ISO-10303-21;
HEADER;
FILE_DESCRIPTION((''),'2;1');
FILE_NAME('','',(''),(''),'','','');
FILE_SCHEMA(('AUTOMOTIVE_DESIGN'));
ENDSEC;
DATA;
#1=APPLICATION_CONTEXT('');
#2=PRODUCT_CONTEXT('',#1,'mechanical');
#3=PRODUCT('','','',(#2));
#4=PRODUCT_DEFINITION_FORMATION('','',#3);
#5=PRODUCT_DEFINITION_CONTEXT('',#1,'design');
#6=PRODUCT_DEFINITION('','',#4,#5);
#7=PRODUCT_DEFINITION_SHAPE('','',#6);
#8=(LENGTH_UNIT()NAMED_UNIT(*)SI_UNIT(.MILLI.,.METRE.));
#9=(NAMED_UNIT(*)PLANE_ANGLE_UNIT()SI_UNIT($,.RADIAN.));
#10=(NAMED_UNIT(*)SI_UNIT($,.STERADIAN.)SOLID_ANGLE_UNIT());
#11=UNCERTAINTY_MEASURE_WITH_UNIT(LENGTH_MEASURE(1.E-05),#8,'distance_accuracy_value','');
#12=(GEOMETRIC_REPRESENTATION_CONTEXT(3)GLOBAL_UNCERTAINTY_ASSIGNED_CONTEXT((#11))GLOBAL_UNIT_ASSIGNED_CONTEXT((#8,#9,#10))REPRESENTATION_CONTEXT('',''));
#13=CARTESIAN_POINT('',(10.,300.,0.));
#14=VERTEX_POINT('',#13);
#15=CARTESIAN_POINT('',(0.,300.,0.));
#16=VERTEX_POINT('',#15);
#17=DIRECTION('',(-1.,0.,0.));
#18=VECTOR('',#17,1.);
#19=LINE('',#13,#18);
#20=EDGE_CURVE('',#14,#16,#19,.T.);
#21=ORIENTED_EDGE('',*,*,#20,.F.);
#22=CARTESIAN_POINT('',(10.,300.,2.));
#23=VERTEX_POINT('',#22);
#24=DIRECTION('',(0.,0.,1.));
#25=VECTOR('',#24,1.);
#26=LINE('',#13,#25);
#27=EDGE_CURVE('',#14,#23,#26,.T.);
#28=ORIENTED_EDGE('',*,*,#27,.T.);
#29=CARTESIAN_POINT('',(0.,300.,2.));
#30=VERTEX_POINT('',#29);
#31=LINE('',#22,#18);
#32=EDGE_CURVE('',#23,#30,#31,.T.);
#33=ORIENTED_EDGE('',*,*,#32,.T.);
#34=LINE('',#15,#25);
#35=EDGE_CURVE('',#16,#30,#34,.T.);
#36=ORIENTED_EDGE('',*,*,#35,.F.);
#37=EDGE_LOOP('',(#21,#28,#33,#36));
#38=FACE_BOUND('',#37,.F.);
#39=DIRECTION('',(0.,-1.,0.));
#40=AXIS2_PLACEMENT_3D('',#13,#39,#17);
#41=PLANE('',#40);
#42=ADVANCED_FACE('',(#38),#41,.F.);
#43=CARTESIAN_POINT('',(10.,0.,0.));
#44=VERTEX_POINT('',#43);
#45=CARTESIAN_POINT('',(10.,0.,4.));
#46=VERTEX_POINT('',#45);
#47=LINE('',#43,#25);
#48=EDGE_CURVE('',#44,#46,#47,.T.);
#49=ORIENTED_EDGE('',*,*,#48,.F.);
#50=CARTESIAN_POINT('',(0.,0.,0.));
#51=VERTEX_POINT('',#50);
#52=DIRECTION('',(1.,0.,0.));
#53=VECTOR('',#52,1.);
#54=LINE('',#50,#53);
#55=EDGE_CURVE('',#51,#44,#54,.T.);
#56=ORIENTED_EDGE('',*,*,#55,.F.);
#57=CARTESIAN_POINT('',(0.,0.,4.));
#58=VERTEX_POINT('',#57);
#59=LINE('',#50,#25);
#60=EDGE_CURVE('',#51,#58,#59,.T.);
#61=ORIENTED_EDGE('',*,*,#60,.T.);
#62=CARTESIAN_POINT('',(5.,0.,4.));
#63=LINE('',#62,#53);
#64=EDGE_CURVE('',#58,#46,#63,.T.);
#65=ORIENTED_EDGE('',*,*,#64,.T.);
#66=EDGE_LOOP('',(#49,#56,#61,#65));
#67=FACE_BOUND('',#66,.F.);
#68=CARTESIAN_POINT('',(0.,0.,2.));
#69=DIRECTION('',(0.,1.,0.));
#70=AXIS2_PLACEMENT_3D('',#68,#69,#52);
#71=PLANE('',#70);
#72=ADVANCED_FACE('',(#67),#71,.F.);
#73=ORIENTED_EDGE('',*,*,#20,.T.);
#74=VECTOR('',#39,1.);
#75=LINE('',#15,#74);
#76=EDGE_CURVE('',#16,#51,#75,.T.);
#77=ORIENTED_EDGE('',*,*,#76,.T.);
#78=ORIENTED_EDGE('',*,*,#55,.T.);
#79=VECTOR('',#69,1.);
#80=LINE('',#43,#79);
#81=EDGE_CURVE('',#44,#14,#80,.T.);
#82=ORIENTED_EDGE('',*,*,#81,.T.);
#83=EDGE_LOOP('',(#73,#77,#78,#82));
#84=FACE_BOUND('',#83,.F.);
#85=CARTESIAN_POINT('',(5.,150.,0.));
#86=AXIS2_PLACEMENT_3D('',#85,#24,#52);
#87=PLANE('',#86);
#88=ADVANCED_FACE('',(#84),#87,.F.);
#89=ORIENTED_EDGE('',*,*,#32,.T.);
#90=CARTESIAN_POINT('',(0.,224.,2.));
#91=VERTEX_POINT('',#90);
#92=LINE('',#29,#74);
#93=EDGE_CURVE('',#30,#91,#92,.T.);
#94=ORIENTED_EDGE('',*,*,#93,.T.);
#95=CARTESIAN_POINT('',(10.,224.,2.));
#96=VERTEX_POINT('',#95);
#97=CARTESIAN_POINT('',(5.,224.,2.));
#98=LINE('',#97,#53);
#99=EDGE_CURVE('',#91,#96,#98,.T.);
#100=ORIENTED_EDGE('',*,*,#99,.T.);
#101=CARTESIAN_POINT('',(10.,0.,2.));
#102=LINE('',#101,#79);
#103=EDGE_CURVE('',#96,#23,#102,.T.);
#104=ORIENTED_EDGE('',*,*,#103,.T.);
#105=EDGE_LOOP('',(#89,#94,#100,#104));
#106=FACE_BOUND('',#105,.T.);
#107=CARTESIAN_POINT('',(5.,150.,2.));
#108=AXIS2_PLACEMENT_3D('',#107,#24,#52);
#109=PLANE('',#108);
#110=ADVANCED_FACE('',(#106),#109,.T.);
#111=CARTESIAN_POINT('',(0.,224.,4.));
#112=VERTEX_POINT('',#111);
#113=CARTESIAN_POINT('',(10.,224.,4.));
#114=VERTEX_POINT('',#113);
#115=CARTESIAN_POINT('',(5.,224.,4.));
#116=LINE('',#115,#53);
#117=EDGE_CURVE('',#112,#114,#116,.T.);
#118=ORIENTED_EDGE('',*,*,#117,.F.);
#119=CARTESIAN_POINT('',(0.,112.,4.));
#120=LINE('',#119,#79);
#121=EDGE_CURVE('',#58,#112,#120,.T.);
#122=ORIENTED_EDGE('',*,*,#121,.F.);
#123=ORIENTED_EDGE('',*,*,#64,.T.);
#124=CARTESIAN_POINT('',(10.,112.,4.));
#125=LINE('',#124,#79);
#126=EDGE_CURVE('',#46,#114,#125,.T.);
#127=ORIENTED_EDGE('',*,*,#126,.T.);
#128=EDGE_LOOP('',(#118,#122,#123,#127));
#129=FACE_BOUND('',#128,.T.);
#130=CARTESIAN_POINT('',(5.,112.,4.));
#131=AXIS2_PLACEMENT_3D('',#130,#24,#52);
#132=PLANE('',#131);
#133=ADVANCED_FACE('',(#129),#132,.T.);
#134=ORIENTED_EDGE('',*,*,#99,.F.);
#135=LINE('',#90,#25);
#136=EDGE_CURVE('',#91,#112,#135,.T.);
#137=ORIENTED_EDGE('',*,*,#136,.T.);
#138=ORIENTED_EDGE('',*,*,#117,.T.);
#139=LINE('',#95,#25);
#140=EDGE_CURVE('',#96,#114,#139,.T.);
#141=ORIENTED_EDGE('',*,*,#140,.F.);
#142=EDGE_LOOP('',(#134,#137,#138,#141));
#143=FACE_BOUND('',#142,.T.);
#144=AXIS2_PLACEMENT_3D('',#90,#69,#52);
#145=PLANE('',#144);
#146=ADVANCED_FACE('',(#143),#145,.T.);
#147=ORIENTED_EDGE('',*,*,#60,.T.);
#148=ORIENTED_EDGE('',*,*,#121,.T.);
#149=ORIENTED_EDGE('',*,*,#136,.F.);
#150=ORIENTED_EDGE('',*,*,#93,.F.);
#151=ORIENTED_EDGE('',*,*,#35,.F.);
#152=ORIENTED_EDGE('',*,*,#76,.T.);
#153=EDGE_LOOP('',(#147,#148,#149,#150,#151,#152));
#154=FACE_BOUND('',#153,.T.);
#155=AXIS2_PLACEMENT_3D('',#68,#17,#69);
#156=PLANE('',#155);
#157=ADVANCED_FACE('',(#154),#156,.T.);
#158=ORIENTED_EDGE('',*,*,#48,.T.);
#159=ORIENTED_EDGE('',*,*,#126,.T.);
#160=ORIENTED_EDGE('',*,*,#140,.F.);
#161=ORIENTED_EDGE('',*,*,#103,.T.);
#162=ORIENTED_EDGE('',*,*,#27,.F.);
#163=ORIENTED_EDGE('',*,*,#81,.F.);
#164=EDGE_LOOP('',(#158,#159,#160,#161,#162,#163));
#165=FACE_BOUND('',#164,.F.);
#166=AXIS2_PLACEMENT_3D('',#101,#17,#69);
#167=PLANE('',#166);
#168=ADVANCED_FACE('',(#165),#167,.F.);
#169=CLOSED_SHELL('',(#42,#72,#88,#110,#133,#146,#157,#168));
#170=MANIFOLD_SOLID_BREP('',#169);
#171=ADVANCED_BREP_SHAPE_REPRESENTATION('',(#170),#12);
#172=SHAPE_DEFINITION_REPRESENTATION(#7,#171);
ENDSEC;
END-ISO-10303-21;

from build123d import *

# Parameters (mm, degrees)
F2_DEPTH = 2
F3_W     = 10
F3_H     = 224
F4_DEPTH = 2


with BuildPart() as f2:
    # F1 (on face) → F2 (new body)
    with BuildSketch(Plane.XY):
        Polygon((10, 300), (0, 300), (0, 224), (0, 0), (10, 0), align=None)
    extrude(amount=F2_DEPTH)

    # F3 (on face) → F4 (join)
    with BuildSketch(Plane.XY.offset(2)):
        with Locations((5, 112)):
            Rectangle(F3_W, F3_H)
    extrude(amount=F4_DEPTH)


solid = f2.part
